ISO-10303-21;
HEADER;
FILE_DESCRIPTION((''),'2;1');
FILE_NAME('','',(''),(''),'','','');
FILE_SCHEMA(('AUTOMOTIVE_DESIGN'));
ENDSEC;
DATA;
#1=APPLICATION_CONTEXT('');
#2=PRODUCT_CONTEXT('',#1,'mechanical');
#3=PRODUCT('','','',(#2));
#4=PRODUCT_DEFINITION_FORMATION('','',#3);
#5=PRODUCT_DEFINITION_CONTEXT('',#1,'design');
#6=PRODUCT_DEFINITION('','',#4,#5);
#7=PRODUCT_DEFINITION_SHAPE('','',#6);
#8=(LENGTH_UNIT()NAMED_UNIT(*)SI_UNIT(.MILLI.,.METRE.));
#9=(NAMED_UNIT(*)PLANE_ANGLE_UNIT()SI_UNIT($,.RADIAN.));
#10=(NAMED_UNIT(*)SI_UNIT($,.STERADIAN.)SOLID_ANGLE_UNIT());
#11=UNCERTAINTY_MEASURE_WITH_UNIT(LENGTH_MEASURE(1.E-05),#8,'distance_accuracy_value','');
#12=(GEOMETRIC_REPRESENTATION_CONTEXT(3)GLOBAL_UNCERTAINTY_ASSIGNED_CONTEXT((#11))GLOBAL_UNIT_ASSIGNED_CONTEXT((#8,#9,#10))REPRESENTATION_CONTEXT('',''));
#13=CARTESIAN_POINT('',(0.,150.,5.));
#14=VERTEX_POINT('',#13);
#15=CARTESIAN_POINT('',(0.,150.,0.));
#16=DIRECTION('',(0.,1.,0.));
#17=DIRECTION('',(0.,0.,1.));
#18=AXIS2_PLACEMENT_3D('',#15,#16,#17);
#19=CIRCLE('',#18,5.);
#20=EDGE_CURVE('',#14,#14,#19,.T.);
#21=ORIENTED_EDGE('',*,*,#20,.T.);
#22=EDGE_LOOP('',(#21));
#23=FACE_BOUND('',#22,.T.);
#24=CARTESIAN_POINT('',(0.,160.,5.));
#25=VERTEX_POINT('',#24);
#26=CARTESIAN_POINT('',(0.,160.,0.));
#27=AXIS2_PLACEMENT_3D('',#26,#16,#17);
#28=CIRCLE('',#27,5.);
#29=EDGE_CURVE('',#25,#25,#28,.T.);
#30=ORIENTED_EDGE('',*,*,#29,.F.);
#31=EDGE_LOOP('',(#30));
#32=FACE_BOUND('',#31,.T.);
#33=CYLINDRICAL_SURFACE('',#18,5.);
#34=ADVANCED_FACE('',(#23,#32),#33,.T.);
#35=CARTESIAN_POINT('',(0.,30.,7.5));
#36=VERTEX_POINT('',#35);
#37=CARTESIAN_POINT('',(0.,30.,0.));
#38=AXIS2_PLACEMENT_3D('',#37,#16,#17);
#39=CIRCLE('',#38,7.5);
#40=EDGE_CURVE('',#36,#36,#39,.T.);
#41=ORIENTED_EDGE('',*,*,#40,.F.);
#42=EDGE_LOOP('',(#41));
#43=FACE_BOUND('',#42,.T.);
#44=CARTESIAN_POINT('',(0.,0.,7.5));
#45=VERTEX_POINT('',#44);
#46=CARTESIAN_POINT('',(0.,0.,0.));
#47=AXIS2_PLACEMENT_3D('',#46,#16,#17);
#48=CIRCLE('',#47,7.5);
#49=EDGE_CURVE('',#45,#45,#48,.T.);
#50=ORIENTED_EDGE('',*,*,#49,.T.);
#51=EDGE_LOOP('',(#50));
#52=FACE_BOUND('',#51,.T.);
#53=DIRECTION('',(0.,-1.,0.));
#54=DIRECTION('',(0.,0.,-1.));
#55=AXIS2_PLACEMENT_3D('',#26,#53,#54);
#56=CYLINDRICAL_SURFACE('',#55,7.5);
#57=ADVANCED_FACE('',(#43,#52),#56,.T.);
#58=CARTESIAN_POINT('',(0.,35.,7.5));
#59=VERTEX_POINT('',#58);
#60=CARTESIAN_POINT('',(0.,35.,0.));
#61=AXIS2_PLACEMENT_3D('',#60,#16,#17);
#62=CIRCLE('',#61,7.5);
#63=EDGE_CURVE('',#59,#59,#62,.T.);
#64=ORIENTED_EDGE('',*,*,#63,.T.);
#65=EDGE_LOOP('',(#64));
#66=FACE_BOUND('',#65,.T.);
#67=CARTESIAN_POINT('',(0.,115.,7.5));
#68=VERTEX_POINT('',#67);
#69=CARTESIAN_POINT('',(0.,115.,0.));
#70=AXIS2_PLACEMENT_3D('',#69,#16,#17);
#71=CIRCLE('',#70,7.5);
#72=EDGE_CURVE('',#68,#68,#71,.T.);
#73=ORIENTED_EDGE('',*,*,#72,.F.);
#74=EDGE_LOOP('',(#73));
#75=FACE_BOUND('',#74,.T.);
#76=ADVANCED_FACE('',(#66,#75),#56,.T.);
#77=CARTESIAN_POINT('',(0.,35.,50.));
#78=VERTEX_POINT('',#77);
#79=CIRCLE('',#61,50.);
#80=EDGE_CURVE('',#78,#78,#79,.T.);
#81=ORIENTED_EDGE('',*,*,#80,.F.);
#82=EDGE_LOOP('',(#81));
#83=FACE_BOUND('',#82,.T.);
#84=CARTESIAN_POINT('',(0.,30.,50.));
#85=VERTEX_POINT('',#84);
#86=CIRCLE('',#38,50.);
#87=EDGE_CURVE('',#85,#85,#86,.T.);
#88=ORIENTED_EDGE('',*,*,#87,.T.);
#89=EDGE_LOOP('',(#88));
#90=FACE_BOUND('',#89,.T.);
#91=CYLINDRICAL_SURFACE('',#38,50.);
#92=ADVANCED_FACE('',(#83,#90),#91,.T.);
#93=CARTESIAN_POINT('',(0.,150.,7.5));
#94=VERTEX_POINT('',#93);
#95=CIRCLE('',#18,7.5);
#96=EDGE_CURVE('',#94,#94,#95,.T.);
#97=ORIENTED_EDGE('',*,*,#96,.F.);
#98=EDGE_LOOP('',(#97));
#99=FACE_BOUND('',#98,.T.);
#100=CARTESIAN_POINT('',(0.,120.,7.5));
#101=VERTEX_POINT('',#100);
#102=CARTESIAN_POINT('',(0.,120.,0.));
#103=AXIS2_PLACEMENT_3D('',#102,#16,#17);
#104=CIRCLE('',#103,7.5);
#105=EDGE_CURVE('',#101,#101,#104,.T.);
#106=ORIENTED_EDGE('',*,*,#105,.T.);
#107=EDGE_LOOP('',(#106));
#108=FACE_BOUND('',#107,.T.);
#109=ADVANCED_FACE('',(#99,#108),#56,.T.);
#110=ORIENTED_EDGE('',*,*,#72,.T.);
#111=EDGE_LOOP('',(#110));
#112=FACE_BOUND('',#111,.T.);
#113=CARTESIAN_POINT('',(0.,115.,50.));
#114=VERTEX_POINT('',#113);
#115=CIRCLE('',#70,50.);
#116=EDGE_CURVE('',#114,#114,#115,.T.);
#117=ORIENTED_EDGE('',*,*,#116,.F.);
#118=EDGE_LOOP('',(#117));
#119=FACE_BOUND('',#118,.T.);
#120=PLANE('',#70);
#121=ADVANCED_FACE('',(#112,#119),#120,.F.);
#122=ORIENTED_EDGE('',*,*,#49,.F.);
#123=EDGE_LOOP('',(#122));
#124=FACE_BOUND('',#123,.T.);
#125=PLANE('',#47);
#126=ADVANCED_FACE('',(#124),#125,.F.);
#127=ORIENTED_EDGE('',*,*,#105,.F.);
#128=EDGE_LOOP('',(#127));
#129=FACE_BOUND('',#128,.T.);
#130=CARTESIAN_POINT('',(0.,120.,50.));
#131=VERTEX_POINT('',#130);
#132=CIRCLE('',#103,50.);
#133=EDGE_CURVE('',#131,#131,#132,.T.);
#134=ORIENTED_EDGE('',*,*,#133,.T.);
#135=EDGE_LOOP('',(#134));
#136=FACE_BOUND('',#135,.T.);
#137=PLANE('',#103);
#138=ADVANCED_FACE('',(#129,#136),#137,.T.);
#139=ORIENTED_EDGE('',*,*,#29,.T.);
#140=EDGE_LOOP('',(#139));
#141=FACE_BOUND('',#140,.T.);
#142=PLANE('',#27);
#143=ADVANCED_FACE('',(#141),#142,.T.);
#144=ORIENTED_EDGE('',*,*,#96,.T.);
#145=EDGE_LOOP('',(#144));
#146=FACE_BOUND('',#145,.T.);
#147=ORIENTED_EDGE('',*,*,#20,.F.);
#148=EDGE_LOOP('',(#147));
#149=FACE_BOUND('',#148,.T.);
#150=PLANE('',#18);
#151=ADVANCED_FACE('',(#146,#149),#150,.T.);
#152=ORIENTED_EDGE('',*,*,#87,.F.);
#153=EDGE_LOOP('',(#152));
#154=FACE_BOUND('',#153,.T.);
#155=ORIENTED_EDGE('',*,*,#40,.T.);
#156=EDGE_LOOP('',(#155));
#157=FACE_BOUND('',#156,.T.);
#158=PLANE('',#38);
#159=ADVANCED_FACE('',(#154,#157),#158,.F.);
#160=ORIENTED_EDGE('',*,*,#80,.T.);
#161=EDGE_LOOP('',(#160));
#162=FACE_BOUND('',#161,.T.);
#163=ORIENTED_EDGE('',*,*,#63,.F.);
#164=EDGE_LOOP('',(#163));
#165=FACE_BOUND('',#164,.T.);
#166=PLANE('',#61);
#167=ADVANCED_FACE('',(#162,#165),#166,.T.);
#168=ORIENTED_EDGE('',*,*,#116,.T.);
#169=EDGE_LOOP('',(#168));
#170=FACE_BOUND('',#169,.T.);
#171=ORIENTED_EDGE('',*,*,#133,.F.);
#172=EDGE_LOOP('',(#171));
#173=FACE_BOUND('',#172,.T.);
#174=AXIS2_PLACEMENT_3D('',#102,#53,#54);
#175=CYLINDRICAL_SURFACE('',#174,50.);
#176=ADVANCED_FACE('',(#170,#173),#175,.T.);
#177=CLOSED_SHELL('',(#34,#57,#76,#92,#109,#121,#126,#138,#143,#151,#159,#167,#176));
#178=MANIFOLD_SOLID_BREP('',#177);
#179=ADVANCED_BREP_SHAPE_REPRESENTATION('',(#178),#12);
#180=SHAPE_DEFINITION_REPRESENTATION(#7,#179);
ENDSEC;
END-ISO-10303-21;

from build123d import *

# Parameters (mm, degrees)
SKETCH1_R           = 7.5
BOSS_EXTRUDE1_DEPTH = 160
BOSS_EXTRUDE2_START = 35
SKETCH1_3_R         = 50
BOSS_EXTRUDE2_DEPTH = 5
BOSS_EXTRUDE3_START = 115
SKETCH1_4_R         = 50
SKETCH1_4_R_2       = 7.5
BOSS_EXTRUDE3_DEPTH = 5
CUT_EXTRUDE1_START  = -10
SKETCH2_R           = 7.5
SKETCH2_R_2         = 5
CUT_EXTRUDE1_DEPTH  = 10


with BuildPart() as part:
    # Sketch1 → Boss-Extrude1 (new body)
    with BuildSketch(Plane(origin=(0, 0, 0), x_dir=(1, 0, 0), z_dir=(0, 1, 0))):
        Circle(SKETCH1_R)
    extrude(amount=BOSS_EXTRUDE1_DEPTH)

    # Sketch1<3> → Boss-Extrude2 (add)
    with BuildSketch(Plane(origin=(0, 0, 0), x_dir=(1, 0, 0), z_dir=(0, 1, 0)).offset(BOSS_EXTRUDE2_START)):
        Circle(SKETCH1_3_R)
    extrude(amount=-BOSS_EXTRUDE2_DEPTH)

    # Sketch1<4> → Boss-Extrude3 (add)
    with BuildSketch(Plane(origin=(0, 0, 0), x_dir=(1, 0, 0), z_dir=(0, 1, 0)).offset(BOSS_EXTRUDE3_START)):
        Circle(SKETCH1_4_R)
        Circle(SKETCH1_4_R_2, mode=Mode.SUBTRACT)
    extrude(amount=BOSS_EXTRUDE3_DEPTH)

    # Sketch2 → Cut-Extrude1 (cut)
    with BuildSketch(Plane(origin=(0, 160, 0), x_dir=(1, 0, 0), z_dir=(0, 1, 0)).offset(CUT_EXTRUDE1_START)):
        Circle(SKETCH2_R)
        Circle(SKETCH2_R_2, mode=Mode.SUBTRACT)
    extrude(amount=CUT_EXTRUDE1_DEPTH, mode=Mode.SUBTRACT)


solid = part.part
